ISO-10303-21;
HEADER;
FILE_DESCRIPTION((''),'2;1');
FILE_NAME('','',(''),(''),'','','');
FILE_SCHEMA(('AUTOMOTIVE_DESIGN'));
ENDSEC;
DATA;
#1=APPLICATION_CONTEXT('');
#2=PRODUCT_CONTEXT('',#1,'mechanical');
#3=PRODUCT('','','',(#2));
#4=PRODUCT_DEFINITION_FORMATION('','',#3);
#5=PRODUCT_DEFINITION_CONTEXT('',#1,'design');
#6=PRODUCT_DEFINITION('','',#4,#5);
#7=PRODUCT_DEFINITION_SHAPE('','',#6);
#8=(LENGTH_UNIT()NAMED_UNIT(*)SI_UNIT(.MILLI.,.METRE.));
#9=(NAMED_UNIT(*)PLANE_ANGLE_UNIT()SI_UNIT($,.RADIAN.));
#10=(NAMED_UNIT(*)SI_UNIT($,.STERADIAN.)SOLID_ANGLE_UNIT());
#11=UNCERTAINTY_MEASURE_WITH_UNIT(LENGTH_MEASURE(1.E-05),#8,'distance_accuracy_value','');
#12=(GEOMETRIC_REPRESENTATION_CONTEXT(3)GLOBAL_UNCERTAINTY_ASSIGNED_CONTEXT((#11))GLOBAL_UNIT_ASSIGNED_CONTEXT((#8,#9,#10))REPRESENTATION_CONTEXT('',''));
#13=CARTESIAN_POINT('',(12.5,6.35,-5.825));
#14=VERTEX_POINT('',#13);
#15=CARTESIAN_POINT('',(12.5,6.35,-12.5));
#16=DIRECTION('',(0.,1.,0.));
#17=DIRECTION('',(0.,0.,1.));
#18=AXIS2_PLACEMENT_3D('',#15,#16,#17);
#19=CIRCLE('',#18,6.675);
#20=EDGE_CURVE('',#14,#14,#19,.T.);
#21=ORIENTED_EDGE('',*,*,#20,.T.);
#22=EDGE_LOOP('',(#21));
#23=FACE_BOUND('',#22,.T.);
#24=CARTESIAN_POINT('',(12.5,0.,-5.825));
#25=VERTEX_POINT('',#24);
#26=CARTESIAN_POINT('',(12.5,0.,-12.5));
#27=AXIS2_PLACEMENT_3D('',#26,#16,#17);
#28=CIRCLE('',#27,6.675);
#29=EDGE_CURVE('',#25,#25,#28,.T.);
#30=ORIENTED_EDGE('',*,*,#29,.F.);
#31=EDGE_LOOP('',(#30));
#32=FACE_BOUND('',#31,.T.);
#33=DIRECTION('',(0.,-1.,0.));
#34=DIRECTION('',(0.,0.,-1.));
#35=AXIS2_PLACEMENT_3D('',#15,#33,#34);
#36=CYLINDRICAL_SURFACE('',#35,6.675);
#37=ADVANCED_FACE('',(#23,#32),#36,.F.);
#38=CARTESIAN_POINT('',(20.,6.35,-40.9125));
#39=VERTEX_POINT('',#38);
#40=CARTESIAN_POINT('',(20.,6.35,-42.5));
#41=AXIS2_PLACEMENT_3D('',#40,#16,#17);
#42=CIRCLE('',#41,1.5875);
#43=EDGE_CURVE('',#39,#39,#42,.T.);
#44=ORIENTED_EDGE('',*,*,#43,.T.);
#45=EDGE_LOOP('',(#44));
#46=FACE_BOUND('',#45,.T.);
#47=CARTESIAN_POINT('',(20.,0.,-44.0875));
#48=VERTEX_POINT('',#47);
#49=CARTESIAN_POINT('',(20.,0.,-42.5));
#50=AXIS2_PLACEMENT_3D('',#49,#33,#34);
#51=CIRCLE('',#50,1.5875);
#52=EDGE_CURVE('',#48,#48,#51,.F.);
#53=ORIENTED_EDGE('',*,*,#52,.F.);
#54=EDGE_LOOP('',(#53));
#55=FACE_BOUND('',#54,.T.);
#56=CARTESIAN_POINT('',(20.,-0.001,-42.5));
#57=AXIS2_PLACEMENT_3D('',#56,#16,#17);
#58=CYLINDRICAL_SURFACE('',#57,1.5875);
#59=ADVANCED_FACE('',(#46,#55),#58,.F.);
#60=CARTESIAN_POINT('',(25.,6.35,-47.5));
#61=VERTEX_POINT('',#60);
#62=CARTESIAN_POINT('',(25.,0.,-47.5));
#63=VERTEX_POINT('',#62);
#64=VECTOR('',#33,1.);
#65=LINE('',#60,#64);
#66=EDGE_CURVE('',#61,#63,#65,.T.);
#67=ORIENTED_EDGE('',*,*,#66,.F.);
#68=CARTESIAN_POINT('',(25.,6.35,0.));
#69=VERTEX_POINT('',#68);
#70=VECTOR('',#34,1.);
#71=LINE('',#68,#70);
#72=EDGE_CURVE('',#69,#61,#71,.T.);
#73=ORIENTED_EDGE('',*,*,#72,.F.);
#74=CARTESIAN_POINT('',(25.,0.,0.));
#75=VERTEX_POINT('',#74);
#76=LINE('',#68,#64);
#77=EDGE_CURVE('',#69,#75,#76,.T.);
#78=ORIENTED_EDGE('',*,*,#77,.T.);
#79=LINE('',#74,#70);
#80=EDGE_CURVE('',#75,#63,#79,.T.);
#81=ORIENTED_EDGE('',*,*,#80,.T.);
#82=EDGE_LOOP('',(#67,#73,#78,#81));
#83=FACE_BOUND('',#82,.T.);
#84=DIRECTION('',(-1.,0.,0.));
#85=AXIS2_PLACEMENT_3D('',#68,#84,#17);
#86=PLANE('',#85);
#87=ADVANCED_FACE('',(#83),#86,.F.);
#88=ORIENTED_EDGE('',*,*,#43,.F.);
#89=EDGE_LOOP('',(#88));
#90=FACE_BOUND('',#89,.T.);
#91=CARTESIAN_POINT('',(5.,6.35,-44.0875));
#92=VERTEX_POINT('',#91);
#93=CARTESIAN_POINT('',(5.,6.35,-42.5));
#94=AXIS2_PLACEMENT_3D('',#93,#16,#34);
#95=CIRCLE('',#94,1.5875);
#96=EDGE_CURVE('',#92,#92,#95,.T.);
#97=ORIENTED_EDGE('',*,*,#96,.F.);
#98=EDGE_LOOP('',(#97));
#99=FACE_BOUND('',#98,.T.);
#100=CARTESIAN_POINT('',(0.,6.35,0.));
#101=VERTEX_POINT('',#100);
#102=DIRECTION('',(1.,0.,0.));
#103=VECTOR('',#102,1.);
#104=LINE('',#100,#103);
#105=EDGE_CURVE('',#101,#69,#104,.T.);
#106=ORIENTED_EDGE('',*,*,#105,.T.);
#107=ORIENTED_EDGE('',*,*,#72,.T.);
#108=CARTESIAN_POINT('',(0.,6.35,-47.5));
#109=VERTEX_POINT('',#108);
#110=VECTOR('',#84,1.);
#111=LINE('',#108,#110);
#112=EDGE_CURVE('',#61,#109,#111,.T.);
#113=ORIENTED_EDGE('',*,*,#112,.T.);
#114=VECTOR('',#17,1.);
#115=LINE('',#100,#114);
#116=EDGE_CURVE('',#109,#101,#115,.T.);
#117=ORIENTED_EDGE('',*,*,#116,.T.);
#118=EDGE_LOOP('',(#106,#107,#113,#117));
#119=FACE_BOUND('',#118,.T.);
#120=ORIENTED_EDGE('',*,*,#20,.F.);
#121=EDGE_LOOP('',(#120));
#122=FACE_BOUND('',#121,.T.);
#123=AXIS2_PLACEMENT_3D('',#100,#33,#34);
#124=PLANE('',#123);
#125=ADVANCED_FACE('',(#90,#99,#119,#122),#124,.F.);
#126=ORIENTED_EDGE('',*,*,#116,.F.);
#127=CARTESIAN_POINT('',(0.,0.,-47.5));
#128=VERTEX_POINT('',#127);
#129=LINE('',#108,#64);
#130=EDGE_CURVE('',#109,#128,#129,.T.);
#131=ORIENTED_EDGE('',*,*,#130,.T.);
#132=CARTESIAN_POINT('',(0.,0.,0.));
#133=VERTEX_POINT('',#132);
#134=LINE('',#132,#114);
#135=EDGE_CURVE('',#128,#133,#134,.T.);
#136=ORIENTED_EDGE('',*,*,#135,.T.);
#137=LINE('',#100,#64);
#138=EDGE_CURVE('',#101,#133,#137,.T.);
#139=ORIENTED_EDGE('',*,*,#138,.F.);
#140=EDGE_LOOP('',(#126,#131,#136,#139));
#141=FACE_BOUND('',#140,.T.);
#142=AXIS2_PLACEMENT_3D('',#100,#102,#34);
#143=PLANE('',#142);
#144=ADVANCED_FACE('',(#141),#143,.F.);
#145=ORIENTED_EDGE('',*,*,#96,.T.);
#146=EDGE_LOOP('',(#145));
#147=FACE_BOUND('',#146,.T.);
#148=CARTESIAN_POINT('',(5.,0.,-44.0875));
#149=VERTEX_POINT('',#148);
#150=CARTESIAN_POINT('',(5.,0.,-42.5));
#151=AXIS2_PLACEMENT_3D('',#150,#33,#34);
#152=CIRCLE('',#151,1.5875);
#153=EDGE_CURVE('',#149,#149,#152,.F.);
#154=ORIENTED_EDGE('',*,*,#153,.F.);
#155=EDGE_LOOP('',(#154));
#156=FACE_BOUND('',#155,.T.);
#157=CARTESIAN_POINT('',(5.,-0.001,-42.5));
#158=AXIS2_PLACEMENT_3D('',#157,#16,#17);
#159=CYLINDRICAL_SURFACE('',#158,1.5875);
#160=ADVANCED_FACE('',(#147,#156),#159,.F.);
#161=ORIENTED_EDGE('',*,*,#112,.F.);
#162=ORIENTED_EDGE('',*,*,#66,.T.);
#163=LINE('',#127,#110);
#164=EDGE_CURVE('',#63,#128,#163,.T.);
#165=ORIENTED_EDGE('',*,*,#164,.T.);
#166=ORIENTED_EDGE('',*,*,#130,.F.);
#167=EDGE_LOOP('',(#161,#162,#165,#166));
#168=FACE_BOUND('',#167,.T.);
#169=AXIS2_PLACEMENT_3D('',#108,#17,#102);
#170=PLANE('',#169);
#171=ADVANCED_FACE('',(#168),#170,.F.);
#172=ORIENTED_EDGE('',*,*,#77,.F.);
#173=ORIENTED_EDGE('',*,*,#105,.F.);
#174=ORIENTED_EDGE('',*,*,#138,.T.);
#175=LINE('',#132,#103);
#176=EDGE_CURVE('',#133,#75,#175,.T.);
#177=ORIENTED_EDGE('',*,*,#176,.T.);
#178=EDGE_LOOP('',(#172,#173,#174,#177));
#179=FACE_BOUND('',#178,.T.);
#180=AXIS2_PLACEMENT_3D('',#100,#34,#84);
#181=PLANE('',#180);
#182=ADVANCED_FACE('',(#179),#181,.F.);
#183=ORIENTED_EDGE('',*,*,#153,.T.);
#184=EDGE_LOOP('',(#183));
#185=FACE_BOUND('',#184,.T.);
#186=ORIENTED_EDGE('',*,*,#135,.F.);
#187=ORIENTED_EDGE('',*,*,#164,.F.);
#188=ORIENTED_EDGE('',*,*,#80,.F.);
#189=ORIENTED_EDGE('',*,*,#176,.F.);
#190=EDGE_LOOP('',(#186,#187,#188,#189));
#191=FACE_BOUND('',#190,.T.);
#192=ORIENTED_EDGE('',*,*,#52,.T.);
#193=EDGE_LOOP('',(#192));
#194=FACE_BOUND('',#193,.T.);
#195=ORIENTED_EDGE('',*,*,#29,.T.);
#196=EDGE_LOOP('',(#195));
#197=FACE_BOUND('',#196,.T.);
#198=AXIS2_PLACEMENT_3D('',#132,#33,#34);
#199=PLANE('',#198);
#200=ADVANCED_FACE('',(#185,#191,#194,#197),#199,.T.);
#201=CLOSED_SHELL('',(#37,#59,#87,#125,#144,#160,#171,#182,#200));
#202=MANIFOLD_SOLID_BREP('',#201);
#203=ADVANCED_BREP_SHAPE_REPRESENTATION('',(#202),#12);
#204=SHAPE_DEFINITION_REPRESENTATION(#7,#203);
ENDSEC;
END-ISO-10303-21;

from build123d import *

# Parameters (mm, degrees)
SKETCH1_W           = 25
SKETCH1_H           = 47.5
SKETCH1_R           = 6.675
BOSS_EXTRUDE1_DEPTH = 6.35
CUT_EXTRUDE1_REACH  = 8.35
SKETCH2_R           = 1.5875


with BuildPart() as part:
    # Sketch1 → Boss-Extrude1 (new body)
    with BuildSketch(Plane(origin=(0, 0, 0), x_dir=(1, 0, 0), z_dir=(0, 1, 0))):
        with Locations((12.5, 23.75)):
            Rectangle(SKETCH1_W, SKETCH1_H)
        with Locations((12.5, 12.5)):
            Circle(SKETCH1_R, mode=Mode.SUBTRACT)
    extrude(amount=BOSS_EXTRUDE1_DEPTH)

    # Sketch2 → Cut-Extrude1 (cut, up to next)
    with BuildSketch(Plane(origin=(0, 6.35, 0), x_dir=(1, 0, 0), z_dir=(0, 1, 0)), mode=Mode.PRIVATE) as cut_extrude1_sk1:
        with Locations((20, 42.5)):
            Circle(SKETCH2_R)
    cut_extrude1_tool1 = extrude(cut_extrude1_sk1.sketch, amount=-CUT_EXTRUDE1_REACH, mode=Mode.PRIVATE) & part.part
    add(cut_extrude1_tool1.solids().sort_by_distance((20, 6.35, -42.5))[0], mode=Mode.SUBTRACT)
    # Sketch2 → Cut-Extrude1 (cut, up to next)
    with BuildSketch(Plane(origin=(0, 6.35, 0), x_dir=(1, 0, 0), z_dir=(0, 1, 0)), mode=Mode.PRIVATE) as cut_extrude1_sk2:
        with Locations((5, 42.5)):
            Circle(SKETCH2_R)
    cut_extrude1_tool2 = extrude(cut_extrude1_sk2.sketch, amount=-CUT_EXTRUDE1_REACH, mode=Mode.PRIVATE) & part.part
    add(cut_extrude1_tool2.solids().sort_by_distance((5, 6.35, -42.5))[0], mode=Mode.SUBTRACT)


solid = part.part
